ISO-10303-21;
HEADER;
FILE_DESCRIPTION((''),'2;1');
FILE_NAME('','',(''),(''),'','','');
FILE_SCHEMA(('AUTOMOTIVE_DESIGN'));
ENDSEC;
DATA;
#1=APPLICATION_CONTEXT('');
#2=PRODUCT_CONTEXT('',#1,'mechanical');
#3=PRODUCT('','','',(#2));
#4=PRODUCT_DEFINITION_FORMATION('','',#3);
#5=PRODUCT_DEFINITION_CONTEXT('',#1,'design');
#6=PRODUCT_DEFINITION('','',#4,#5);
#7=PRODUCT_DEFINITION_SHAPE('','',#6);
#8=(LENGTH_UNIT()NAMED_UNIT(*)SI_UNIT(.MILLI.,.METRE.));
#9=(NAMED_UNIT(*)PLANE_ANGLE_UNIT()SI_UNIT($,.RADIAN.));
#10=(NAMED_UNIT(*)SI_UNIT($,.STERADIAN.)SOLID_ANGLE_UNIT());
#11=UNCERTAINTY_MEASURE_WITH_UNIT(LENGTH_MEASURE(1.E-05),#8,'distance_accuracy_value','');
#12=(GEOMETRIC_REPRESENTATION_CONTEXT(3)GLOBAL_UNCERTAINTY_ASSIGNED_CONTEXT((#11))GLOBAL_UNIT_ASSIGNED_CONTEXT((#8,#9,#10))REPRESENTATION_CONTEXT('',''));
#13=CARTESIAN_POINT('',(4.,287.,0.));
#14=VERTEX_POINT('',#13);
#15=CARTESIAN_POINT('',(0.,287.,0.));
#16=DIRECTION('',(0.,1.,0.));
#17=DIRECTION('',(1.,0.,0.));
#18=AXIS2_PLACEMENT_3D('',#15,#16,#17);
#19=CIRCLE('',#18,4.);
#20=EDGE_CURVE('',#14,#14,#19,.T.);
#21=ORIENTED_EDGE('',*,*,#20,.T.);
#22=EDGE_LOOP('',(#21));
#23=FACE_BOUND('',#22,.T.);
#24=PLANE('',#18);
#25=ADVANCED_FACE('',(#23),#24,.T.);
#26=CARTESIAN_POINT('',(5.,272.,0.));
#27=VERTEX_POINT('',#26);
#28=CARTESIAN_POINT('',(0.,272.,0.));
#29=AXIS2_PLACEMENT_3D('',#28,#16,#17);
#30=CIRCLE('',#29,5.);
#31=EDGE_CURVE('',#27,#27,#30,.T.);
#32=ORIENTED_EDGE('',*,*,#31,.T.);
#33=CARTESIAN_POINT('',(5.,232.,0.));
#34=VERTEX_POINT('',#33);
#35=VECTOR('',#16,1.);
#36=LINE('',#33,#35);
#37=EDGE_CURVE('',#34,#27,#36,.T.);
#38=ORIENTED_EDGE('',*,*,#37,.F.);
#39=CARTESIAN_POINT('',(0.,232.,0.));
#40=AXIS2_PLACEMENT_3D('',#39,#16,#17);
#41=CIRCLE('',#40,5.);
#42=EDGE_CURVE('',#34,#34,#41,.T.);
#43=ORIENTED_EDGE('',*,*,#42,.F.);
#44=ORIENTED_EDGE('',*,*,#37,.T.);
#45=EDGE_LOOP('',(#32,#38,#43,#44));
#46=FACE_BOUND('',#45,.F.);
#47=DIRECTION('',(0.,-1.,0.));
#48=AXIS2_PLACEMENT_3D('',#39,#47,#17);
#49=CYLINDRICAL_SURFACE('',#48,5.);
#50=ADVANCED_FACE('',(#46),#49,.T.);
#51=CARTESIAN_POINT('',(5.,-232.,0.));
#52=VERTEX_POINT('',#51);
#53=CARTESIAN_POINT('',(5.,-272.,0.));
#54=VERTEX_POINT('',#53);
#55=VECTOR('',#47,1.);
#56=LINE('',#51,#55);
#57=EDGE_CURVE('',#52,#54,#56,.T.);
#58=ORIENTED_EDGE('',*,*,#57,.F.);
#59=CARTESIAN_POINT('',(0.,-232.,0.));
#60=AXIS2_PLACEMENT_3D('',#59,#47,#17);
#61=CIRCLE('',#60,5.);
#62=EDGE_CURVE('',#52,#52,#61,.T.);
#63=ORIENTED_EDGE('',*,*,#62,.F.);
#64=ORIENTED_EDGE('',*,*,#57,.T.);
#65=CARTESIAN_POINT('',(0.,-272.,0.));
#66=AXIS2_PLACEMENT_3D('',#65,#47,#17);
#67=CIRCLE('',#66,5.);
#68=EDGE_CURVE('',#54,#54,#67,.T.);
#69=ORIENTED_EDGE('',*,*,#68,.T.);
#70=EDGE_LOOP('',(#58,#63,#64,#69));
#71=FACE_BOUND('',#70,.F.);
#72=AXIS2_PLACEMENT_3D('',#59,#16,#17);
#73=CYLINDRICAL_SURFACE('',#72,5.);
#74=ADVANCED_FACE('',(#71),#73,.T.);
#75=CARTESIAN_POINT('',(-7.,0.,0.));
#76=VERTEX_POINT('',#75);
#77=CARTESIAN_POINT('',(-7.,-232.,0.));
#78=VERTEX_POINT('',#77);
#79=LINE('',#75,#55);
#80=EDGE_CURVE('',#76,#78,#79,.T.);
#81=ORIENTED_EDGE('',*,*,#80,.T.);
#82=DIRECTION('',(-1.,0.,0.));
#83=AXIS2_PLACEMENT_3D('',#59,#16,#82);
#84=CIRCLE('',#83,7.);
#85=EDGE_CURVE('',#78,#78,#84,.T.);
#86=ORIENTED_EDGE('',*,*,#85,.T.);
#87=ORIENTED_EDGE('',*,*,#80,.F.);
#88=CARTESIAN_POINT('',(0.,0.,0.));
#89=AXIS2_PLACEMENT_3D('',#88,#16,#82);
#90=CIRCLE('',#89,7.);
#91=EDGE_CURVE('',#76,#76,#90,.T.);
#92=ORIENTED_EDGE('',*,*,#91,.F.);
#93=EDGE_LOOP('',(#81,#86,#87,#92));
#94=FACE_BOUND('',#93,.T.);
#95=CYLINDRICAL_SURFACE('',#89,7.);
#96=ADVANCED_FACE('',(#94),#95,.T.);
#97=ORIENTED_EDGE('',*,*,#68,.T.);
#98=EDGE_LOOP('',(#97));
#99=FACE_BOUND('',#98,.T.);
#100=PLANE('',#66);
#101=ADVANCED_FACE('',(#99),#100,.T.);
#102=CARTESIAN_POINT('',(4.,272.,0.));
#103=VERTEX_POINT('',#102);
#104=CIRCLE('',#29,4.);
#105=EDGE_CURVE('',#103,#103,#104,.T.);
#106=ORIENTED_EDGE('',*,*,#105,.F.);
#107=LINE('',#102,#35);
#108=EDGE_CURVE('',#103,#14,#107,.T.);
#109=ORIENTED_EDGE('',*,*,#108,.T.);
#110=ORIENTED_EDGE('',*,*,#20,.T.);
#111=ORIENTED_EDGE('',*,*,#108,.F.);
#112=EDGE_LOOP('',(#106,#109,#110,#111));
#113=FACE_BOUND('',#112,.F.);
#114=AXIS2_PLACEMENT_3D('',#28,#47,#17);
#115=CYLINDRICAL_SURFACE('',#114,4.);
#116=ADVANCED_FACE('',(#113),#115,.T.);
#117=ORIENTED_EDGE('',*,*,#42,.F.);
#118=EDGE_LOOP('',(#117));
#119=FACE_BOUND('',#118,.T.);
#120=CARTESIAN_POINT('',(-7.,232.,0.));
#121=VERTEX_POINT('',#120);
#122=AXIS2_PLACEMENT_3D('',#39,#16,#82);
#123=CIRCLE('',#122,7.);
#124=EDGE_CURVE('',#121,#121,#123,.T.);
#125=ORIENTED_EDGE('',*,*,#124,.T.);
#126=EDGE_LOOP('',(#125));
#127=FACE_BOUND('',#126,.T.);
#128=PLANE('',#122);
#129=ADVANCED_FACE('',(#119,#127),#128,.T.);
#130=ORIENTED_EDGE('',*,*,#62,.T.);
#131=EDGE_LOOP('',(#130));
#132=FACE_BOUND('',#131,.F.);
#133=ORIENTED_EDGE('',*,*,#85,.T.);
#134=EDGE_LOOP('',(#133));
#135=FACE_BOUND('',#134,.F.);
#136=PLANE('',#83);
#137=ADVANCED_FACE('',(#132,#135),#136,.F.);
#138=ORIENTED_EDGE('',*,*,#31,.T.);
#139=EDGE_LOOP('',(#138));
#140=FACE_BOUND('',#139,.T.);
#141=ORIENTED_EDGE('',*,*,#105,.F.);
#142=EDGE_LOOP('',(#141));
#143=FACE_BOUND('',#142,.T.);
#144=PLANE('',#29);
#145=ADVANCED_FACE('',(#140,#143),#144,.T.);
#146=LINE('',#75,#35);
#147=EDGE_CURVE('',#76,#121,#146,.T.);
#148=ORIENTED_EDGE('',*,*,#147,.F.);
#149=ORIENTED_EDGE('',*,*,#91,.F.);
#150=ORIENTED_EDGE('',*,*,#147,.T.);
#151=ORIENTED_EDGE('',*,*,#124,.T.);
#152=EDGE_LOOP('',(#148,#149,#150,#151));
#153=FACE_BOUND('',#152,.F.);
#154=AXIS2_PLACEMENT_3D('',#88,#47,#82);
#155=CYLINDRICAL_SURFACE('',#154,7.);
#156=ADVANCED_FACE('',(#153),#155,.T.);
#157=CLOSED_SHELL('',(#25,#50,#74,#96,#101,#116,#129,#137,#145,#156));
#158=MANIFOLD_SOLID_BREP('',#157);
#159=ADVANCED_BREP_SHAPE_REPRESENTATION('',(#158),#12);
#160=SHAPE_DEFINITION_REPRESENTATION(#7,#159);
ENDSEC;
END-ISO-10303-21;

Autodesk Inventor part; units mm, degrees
ref_plane "YZ Plane" through (0, 0, 0) normal (1, 0, 0) x (0, 1, 0)
ref_plane "XZ Plane" through (0, 0, 0) normal (0, 1, 0) x (-1, 0, 0)
ref_plane "XY Plane" through (0, 0, 0) normal (0, 0, 1) x (1, 0, 0)
sketch "Sketch1" plane through (0, 0, 0) normal (0, 1, 0) x (-1, 0, 0)
  circle A0 centre (0, 0) radius 7
  dimension "d0" = 14
extrude "Extrusion1" add sketch "Sketch1" along normal mid plane 464
sketch "Sketch2" plane through (0, 232, 0) normal (0, 1, 0) x (1, 0, 0)
  circle A0 centre (0, 0) radius 5
  dimension "d3" = 10
extrude "Extrusion2" add sketch "Sketch2" along normal blind 40
sketch "Sketch3" plane through (0, 272, 0) normal (0, 1, 0) x (1, 0, 0)
  circle A0 centre (0, 0) radius 4
  dimension "d6" = 8
extrude "Extrusion3" add sketch "Sketch3" along normal blind 15
thread "Thread1" size "M9x1" class "6g" standard "ANSI Metric M Profile" length 17
sketch "Sketch4" plane through (0, -232, 0) normal (0, -1, 0) x (1, 0, 0)
  circle A0 centre (0, 0) radius 5 projected
  circle A1 centre (0, 0) radius 5
  dimension "d13" = 10
extrude "Extrusion4" add sketch "Sketch4" along normal blind 40
properties part number "Screw Replica"
